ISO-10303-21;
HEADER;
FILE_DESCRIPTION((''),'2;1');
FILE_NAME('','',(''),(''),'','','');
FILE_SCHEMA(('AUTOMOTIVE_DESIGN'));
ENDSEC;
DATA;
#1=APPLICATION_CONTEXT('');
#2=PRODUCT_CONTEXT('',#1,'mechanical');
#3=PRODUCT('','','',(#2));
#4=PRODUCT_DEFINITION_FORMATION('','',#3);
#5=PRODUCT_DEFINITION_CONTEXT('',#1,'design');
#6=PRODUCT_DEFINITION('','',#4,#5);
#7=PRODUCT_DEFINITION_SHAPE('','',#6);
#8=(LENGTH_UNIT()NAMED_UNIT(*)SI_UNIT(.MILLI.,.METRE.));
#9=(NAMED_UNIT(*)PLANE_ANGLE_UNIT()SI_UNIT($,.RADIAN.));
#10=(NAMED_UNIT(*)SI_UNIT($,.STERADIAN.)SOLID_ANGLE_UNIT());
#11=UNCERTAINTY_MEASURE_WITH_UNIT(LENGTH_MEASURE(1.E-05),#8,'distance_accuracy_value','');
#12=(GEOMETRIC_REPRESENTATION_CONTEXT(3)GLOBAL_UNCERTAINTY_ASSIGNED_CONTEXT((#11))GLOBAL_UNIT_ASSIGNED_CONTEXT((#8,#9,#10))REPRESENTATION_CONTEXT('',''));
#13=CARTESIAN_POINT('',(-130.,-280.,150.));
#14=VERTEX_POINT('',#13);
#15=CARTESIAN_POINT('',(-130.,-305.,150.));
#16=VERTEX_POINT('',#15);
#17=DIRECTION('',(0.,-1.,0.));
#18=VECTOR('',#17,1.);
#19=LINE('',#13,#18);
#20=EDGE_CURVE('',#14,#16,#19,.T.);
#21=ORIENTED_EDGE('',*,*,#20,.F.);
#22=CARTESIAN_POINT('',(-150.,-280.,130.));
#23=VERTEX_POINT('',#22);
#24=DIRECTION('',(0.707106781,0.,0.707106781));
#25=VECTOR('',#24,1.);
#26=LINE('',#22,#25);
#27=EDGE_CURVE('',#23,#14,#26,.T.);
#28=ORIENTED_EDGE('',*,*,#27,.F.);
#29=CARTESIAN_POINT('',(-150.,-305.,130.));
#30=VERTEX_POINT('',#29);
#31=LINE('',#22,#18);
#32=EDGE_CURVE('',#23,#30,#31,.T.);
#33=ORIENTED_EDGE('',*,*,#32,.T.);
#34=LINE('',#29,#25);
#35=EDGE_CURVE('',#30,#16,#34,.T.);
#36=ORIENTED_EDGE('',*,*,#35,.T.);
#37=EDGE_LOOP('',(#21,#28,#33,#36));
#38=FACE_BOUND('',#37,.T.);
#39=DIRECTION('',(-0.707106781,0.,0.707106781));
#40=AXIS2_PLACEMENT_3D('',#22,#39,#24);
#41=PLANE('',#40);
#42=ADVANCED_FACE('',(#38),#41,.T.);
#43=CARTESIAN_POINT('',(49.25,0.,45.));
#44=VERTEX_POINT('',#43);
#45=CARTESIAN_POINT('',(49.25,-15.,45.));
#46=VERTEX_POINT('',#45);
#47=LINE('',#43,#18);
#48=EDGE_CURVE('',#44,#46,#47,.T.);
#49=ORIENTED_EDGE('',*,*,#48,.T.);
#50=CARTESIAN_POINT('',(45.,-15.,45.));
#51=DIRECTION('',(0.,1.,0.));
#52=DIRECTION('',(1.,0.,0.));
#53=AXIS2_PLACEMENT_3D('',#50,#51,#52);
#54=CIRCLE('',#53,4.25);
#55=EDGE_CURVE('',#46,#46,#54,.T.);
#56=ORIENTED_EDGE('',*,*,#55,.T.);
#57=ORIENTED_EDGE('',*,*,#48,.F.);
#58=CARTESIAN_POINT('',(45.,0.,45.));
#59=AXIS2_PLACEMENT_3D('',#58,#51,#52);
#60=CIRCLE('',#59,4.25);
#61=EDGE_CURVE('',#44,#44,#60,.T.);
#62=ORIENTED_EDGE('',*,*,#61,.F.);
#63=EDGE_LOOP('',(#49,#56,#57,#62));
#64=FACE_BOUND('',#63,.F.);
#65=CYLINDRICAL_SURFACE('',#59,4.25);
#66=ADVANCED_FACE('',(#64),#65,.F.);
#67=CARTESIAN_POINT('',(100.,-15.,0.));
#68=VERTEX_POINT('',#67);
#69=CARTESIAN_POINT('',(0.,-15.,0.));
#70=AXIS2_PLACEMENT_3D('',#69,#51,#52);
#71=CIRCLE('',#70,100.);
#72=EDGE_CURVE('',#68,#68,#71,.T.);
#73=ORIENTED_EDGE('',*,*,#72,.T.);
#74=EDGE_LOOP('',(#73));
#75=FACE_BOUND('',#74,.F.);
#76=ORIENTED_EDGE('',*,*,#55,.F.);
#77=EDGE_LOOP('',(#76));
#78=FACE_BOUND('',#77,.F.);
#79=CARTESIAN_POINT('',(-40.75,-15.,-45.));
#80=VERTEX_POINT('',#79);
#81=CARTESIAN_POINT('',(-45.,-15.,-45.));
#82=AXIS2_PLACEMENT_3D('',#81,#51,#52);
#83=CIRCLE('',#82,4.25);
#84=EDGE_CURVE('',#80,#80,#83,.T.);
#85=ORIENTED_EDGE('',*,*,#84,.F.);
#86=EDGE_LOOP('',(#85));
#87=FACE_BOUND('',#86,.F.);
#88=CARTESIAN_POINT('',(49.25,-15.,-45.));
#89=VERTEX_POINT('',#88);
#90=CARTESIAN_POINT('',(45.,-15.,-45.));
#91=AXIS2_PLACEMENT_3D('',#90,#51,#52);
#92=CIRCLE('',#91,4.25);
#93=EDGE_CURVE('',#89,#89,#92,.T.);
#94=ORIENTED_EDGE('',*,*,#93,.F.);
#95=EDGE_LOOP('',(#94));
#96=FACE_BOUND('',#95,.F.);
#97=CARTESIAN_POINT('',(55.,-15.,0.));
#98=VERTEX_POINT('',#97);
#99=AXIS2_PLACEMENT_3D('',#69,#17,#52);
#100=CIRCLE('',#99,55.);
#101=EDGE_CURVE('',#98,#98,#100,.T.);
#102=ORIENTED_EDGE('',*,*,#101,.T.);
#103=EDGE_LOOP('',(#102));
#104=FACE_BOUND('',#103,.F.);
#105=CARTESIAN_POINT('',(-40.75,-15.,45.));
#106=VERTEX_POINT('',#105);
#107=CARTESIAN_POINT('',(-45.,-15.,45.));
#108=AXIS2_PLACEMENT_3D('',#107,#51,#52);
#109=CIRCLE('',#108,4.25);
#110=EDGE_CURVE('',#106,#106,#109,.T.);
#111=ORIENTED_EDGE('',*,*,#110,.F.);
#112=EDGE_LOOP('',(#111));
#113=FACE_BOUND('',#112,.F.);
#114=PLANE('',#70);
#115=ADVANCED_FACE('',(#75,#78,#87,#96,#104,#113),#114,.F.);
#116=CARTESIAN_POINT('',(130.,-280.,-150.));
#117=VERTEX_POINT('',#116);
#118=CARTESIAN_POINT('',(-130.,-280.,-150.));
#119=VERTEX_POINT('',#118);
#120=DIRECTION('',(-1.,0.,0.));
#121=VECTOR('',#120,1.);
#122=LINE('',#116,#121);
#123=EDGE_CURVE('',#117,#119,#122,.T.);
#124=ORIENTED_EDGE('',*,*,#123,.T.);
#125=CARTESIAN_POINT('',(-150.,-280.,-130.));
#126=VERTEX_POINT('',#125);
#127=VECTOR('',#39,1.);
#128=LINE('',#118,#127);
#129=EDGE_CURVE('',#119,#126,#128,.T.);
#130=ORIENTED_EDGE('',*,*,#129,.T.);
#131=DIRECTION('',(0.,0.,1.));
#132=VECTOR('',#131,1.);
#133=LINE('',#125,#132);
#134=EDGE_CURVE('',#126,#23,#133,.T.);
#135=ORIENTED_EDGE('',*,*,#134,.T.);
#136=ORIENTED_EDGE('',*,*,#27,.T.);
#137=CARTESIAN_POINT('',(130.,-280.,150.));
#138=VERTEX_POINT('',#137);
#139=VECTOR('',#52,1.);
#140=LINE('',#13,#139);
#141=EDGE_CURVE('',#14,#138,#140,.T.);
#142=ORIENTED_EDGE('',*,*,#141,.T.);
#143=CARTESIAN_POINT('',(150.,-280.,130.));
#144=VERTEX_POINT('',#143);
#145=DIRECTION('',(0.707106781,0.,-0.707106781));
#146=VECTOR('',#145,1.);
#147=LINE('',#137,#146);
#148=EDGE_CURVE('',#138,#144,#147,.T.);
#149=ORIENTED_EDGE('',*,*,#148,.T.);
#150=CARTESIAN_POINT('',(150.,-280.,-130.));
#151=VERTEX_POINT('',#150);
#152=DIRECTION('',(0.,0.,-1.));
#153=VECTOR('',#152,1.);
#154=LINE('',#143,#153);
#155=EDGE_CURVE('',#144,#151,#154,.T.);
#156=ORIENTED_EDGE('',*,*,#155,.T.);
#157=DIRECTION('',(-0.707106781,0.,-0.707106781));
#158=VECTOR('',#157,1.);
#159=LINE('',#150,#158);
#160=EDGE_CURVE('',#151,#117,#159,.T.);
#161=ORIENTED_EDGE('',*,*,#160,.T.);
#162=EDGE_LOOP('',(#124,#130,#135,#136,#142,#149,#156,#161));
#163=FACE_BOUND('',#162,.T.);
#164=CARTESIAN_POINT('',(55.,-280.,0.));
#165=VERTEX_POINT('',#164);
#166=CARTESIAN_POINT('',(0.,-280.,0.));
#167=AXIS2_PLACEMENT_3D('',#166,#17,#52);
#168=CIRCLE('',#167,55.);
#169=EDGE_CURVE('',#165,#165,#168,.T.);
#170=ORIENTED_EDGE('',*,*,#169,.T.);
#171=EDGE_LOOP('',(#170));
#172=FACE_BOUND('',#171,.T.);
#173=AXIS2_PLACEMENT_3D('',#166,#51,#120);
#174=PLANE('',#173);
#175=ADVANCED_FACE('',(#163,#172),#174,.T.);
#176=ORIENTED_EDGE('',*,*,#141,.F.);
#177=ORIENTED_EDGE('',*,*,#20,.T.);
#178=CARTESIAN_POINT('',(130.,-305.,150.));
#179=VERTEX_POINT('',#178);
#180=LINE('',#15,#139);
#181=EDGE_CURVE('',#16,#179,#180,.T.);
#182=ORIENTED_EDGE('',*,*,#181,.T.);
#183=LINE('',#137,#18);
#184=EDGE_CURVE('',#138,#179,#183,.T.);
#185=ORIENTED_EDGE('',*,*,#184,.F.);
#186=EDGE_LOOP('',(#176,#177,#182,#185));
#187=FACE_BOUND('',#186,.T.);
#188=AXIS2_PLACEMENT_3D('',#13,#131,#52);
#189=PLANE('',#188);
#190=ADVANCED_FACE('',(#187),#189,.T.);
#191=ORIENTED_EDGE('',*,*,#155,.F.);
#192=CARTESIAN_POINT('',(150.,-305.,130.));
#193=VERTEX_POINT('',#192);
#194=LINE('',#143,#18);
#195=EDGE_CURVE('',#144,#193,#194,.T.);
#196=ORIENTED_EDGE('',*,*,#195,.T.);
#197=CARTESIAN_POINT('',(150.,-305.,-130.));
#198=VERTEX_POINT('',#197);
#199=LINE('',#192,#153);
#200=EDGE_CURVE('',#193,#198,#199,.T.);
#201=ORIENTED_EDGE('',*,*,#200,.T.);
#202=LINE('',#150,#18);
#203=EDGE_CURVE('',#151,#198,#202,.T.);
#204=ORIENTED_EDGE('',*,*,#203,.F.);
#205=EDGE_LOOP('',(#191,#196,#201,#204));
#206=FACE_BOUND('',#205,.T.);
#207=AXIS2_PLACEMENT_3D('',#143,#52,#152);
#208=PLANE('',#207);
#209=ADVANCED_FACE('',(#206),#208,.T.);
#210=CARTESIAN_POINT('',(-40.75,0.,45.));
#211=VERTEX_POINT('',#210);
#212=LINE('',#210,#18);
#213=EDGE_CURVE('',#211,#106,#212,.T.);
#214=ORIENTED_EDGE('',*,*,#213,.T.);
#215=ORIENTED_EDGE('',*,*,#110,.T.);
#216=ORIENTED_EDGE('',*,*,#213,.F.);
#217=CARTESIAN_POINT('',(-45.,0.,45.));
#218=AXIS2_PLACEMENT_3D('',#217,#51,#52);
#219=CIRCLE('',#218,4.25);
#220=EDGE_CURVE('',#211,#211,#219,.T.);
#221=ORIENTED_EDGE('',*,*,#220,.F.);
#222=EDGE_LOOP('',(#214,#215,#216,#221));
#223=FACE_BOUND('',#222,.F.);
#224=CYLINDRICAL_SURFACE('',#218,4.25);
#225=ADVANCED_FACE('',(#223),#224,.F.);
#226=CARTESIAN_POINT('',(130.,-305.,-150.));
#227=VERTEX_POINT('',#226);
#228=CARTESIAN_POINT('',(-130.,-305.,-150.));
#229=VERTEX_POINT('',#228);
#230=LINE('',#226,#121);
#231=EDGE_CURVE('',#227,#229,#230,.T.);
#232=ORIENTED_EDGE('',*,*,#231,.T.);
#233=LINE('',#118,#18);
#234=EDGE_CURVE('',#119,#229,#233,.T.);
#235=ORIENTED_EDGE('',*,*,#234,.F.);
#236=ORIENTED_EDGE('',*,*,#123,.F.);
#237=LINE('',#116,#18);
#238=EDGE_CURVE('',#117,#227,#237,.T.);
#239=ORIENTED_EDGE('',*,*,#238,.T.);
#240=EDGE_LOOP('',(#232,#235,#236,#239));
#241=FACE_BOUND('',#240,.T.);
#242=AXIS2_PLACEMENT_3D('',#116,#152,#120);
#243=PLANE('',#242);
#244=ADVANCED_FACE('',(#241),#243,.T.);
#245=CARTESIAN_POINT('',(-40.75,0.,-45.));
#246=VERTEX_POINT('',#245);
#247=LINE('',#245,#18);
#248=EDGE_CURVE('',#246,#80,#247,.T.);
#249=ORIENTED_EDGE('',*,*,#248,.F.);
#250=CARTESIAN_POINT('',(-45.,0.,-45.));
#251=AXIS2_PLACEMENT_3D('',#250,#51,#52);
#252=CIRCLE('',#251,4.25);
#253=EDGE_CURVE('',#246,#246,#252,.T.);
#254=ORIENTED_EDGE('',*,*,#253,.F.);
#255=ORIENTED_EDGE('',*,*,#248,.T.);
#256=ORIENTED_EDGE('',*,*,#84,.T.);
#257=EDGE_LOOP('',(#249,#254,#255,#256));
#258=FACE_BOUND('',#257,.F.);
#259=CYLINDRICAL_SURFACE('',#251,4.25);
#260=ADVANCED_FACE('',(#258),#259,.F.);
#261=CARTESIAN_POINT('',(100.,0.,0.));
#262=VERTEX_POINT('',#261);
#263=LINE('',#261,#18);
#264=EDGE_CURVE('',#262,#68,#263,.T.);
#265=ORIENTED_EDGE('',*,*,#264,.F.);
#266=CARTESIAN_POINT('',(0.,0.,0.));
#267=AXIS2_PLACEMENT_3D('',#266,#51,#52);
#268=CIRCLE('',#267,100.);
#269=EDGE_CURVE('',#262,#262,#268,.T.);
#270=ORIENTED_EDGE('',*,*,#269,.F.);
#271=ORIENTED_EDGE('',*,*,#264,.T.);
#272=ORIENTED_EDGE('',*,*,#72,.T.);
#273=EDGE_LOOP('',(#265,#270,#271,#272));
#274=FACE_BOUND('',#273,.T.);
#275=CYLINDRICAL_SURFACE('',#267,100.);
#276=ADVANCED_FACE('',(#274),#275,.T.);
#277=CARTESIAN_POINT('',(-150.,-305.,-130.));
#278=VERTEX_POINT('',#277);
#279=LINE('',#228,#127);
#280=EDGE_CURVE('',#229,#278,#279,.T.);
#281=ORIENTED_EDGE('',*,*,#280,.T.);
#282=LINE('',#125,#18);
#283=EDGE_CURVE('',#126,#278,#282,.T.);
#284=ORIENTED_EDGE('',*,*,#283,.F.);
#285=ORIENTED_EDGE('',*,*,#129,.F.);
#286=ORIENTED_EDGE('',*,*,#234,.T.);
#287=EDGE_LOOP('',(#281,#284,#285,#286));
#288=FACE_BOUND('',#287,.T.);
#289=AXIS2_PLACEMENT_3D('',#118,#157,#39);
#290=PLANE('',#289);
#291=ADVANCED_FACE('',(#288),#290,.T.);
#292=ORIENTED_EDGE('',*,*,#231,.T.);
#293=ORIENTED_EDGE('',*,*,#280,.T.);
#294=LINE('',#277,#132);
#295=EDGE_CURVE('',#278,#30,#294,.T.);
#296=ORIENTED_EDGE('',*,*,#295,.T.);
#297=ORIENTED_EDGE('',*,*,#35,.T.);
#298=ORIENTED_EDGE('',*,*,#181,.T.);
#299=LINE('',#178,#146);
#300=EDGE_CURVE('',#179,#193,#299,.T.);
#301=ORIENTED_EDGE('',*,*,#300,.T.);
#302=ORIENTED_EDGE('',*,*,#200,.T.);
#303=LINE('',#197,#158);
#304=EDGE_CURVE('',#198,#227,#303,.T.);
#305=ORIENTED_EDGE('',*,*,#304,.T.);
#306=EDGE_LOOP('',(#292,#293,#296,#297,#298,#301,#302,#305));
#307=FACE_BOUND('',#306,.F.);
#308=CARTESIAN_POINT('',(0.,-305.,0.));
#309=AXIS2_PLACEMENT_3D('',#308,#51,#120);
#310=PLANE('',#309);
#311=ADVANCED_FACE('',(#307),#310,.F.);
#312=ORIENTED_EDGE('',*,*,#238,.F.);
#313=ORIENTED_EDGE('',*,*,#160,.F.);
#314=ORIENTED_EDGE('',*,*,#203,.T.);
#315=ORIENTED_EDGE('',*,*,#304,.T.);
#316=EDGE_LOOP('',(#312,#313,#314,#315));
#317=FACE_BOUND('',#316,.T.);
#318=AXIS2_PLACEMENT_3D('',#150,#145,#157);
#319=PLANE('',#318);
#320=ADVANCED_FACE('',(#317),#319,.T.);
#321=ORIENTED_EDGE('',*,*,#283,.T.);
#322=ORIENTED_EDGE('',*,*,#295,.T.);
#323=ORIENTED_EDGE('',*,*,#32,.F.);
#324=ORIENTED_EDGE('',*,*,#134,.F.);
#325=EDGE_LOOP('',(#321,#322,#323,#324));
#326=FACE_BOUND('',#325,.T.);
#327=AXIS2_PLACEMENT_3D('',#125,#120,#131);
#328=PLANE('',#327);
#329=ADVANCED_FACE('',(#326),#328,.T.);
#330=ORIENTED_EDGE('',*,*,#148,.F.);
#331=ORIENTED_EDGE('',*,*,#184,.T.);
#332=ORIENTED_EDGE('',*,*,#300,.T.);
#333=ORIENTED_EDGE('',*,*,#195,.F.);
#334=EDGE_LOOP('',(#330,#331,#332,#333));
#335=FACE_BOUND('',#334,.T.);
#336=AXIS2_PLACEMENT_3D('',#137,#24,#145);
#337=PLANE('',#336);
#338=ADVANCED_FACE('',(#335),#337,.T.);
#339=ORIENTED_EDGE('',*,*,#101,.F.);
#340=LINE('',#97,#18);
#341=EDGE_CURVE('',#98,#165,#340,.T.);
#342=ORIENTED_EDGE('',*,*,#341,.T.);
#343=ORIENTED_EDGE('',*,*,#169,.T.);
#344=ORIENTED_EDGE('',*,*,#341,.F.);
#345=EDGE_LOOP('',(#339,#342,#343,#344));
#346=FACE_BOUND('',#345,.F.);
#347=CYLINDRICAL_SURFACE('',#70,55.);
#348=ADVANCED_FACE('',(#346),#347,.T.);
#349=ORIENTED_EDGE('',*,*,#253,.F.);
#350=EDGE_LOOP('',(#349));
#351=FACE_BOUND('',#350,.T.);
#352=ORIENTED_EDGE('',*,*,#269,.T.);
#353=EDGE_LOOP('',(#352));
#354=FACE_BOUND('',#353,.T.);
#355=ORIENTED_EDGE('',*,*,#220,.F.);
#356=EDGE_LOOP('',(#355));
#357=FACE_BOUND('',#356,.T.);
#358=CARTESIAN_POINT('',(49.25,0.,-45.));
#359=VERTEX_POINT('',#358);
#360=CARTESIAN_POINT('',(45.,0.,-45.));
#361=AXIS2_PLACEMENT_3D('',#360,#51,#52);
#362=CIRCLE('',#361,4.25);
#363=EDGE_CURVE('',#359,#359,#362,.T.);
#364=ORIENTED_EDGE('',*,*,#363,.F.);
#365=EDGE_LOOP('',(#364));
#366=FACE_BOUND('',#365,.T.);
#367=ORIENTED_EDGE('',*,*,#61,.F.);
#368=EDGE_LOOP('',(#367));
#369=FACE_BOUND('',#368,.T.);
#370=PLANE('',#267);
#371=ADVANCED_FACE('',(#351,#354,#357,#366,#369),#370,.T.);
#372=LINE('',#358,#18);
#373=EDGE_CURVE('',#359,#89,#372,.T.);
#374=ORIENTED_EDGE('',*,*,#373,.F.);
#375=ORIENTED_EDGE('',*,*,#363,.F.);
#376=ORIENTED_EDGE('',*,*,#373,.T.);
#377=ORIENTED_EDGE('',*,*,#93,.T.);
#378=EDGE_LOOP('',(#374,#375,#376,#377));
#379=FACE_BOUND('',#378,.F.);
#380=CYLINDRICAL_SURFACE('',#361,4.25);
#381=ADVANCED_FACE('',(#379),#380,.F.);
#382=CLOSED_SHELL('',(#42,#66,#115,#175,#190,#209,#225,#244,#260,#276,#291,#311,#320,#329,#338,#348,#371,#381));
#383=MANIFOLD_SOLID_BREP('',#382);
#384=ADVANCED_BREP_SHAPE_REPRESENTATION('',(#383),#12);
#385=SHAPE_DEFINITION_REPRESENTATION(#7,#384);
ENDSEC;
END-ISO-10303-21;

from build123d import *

# Parameters (mm, degrees)
SKETCH1_R           = 100
BOSS_EXTRUDE1_DEPTH = 15
SKETCH2_R           = 55
BOSS_EXTRUDE2_DEPTH = 265
BOSS_EXTRUDE3_DEPTH = 25
SKETCH4_R           = 4.25
CUT_EXTRUDE1_DEPTH  = 25


with BuildPart() as part:
    # Sketch1 → Boss-Extrude1 (new body)
    with BuildSketch(Plane(origin=(0, 0, 0), x_dir=(1, 0, 0), z_dir=(0, 1, 0))):
        Circle(SKETCH1_R)
    extrude(amount=-BOSS_EXTRUDE1_DEPTH)

    # Sketch2 → Boss-Extrude2 (add)
    with BuildSketch(Plane.XZ.offset(15)):
        Circle(SKETCH2_R)
    extrude(amount=BOSS_EXTRUDE2_DEPTH)

    # Sketch3 → Boss-Extrude3 (add)
    with BuildSketch(Plane.XZ.offset(280)):
        Polygon((-150, 130), (-130, 150), (130, 150), (150, 130), (150, -130), (130, -150), (-130, -150), (-150, -130), align=None)
    extrude(amount=BOSS_EXTRUDE3_DEPTH)

    # Sketch4 → Cut-Extrude1 (cut)
    with BuildSketch(Plane(origin=(0, 0, 0), x_dir=(1, 0, 0), z_dir=(0, 1, 0))):
        with Locations((-45, 45)):
            Circle(SKETCH4_R)
        with Locations((45, 45)):
            Circle(SKETCH4_R)
        with Locations((45, -45)):
            Circle(SKETCH4_R)
        with Locations((-45, -45)):
            Circle(SKETCH4_R)
    extrude(amount=-CUT_EXTRUDE1_DEPTH, mode=Mode.SUBTRACT)


solid = part.part
